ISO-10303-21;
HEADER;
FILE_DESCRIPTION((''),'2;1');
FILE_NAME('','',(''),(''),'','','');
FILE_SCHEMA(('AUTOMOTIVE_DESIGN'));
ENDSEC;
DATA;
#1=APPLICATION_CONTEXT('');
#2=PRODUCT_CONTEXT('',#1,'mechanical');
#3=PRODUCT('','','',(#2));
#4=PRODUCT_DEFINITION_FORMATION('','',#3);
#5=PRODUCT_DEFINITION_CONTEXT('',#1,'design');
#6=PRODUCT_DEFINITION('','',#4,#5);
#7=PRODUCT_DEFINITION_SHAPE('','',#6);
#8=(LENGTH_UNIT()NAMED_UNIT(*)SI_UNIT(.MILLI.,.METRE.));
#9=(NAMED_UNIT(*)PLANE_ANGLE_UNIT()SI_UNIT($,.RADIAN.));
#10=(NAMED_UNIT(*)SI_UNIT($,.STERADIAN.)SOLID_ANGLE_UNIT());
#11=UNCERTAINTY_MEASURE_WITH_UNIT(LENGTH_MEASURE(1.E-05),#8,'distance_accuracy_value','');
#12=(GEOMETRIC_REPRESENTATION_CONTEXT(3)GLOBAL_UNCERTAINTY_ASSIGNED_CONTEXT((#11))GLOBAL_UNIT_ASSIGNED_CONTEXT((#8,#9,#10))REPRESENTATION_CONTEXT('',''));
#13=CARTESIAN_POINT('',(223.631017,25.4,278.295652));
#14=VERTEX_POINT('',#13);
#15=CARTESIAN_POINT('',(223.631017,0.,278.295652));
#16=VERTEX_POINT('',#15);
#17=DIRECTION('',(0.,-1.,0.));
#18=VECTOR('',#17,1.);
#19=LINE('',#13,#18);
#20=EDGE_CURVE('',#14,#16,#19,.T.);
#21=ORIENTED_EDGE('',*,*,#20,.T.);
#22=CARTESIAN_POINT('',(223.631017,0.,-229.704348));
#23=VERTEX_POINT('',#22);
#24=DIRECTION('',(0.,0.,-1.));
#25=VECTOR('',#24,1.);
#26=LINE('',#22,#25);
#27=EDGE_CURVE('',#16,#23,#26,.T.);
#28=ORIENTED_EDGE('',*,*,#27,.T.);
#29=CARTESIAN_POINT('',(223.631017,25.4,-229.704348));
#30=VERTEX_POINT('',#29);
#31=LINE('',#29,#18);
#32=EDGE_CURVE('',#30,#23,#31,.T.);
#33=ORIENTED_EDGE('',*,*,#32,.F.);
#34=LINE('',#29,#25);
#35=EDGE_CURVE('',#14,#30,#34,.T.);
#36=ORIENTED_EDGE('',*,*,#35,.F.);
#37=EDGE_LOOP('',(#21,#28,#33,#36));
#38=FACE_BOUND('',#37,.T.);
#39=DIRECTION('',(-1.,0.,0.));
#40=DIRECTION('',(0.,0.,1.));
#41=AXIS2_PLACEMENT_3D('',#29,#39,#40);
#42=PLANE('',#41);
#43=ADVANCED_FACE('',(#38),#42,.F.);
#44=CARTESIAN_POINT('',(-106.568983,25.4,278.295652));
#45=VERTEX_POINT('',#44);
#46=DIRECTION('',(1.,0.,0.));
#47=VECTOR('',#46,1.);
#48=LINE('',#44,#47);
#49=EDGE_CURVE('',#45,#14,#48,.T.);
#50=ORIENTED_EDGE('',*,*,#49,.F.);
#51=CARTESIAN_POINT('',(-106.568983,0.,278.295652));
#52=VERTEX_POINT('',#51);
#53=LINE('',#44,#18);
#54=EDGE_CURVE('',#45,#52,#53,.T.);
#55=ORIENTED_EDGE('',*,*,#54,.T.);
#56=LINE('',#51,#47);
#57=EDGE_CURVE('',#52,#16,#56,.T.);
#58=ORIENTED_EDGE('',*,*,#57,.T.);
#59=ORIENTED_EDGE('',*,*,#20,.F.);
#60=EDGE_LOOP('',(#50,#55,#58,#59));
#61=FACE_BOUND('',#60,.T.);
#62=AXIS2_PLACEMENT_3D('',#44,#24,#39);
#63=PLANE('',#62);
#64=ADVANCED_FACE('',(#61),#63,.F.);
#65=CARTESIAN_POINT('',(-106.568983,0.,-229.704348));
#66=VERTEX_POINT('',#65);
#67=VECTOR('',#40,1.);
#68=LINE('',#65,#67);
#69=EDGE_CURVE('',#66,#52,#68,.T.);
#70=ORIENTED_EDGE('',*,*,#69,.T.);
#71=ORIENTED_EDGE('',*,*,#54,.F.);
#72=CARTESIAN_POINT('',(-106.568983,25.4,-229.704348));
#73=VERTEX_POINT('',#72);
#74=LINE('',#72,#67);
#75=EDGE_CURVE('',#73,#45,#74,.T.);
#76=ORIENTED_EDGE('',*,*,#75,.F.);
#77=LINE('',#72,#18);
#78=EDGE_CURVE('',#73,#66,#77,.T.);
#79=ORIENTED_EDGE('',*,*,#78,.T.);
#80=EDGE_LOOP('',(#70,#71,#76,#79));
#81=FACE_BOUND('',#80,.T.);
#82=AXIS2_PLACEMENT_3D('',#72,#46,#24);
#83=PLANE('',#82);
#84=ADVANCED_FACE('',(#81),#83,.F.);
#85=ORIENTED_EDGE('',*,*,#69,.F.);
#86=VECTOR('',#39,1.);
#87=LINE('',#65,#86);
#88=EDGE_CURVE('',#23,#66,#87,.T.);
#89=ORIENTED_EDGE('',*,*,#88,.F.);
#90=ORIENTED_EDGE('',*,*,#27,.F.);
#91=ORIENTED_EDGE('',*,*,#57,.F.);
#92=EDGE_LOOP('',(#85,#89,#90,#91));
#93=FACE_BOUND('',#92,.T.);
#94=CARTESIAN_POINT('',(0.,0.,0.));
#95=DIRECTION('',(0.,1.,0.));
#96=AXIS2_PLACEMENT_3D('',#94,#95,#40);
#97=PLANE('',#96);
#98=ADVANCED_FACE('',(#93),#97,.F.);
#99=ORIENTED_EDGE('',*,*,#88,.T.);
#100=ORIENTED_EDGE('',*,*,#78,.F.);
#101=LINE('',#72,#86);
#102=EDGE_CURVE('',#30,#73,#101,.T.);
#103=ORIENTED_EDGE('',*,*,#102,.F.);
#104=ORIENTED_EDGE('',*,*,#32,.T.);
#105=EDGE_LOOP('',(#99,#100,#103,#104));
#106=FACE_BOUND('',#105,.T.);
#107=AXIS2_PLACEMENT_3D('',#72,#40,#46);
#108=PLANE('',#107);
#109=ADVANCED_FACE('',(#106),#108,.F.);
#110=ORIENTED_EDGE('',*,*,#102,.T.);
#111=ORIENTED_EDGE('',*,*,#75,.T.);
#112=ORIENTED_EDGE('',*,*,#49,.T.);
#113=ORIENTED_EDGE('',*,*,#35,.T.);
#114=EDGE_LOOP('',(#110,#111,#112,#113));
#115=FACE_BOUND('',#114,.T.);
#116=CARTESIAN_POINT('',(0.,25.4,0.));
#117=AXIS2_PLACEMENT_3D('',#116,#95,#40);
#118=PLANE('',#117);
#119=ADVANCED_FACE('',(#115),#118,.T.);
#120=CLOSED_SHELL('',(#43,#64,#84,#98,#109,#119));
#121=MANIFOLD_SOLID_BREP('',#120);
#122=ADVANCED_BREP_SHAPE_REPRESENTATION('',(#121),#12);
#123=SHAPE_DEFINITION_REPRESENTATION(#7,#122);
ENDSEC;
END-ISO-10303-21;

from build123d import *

# Parameters (mm, degrees)
SKETCH1_W           = 330.2
SKETCH1_H           = 508
BOSS_EXTRUDE1_DEPTH = 25.4


with BuildPart() as part:
    # Sketch1 → Boss-Extrude1 (new body)
    with BuildSketch(Plane(origin=(0, 0, 0), x_dir=(1, 0, 0), z_dir=(0, 1, 0))):
        with Locations((58.531016631, -24.295652174)):
            Rectangle(SKETCH1_W, SKETCH1_H)
    extrude(amount=BOSS_EXTRUDE1_DEPTH)


solid = part.part
